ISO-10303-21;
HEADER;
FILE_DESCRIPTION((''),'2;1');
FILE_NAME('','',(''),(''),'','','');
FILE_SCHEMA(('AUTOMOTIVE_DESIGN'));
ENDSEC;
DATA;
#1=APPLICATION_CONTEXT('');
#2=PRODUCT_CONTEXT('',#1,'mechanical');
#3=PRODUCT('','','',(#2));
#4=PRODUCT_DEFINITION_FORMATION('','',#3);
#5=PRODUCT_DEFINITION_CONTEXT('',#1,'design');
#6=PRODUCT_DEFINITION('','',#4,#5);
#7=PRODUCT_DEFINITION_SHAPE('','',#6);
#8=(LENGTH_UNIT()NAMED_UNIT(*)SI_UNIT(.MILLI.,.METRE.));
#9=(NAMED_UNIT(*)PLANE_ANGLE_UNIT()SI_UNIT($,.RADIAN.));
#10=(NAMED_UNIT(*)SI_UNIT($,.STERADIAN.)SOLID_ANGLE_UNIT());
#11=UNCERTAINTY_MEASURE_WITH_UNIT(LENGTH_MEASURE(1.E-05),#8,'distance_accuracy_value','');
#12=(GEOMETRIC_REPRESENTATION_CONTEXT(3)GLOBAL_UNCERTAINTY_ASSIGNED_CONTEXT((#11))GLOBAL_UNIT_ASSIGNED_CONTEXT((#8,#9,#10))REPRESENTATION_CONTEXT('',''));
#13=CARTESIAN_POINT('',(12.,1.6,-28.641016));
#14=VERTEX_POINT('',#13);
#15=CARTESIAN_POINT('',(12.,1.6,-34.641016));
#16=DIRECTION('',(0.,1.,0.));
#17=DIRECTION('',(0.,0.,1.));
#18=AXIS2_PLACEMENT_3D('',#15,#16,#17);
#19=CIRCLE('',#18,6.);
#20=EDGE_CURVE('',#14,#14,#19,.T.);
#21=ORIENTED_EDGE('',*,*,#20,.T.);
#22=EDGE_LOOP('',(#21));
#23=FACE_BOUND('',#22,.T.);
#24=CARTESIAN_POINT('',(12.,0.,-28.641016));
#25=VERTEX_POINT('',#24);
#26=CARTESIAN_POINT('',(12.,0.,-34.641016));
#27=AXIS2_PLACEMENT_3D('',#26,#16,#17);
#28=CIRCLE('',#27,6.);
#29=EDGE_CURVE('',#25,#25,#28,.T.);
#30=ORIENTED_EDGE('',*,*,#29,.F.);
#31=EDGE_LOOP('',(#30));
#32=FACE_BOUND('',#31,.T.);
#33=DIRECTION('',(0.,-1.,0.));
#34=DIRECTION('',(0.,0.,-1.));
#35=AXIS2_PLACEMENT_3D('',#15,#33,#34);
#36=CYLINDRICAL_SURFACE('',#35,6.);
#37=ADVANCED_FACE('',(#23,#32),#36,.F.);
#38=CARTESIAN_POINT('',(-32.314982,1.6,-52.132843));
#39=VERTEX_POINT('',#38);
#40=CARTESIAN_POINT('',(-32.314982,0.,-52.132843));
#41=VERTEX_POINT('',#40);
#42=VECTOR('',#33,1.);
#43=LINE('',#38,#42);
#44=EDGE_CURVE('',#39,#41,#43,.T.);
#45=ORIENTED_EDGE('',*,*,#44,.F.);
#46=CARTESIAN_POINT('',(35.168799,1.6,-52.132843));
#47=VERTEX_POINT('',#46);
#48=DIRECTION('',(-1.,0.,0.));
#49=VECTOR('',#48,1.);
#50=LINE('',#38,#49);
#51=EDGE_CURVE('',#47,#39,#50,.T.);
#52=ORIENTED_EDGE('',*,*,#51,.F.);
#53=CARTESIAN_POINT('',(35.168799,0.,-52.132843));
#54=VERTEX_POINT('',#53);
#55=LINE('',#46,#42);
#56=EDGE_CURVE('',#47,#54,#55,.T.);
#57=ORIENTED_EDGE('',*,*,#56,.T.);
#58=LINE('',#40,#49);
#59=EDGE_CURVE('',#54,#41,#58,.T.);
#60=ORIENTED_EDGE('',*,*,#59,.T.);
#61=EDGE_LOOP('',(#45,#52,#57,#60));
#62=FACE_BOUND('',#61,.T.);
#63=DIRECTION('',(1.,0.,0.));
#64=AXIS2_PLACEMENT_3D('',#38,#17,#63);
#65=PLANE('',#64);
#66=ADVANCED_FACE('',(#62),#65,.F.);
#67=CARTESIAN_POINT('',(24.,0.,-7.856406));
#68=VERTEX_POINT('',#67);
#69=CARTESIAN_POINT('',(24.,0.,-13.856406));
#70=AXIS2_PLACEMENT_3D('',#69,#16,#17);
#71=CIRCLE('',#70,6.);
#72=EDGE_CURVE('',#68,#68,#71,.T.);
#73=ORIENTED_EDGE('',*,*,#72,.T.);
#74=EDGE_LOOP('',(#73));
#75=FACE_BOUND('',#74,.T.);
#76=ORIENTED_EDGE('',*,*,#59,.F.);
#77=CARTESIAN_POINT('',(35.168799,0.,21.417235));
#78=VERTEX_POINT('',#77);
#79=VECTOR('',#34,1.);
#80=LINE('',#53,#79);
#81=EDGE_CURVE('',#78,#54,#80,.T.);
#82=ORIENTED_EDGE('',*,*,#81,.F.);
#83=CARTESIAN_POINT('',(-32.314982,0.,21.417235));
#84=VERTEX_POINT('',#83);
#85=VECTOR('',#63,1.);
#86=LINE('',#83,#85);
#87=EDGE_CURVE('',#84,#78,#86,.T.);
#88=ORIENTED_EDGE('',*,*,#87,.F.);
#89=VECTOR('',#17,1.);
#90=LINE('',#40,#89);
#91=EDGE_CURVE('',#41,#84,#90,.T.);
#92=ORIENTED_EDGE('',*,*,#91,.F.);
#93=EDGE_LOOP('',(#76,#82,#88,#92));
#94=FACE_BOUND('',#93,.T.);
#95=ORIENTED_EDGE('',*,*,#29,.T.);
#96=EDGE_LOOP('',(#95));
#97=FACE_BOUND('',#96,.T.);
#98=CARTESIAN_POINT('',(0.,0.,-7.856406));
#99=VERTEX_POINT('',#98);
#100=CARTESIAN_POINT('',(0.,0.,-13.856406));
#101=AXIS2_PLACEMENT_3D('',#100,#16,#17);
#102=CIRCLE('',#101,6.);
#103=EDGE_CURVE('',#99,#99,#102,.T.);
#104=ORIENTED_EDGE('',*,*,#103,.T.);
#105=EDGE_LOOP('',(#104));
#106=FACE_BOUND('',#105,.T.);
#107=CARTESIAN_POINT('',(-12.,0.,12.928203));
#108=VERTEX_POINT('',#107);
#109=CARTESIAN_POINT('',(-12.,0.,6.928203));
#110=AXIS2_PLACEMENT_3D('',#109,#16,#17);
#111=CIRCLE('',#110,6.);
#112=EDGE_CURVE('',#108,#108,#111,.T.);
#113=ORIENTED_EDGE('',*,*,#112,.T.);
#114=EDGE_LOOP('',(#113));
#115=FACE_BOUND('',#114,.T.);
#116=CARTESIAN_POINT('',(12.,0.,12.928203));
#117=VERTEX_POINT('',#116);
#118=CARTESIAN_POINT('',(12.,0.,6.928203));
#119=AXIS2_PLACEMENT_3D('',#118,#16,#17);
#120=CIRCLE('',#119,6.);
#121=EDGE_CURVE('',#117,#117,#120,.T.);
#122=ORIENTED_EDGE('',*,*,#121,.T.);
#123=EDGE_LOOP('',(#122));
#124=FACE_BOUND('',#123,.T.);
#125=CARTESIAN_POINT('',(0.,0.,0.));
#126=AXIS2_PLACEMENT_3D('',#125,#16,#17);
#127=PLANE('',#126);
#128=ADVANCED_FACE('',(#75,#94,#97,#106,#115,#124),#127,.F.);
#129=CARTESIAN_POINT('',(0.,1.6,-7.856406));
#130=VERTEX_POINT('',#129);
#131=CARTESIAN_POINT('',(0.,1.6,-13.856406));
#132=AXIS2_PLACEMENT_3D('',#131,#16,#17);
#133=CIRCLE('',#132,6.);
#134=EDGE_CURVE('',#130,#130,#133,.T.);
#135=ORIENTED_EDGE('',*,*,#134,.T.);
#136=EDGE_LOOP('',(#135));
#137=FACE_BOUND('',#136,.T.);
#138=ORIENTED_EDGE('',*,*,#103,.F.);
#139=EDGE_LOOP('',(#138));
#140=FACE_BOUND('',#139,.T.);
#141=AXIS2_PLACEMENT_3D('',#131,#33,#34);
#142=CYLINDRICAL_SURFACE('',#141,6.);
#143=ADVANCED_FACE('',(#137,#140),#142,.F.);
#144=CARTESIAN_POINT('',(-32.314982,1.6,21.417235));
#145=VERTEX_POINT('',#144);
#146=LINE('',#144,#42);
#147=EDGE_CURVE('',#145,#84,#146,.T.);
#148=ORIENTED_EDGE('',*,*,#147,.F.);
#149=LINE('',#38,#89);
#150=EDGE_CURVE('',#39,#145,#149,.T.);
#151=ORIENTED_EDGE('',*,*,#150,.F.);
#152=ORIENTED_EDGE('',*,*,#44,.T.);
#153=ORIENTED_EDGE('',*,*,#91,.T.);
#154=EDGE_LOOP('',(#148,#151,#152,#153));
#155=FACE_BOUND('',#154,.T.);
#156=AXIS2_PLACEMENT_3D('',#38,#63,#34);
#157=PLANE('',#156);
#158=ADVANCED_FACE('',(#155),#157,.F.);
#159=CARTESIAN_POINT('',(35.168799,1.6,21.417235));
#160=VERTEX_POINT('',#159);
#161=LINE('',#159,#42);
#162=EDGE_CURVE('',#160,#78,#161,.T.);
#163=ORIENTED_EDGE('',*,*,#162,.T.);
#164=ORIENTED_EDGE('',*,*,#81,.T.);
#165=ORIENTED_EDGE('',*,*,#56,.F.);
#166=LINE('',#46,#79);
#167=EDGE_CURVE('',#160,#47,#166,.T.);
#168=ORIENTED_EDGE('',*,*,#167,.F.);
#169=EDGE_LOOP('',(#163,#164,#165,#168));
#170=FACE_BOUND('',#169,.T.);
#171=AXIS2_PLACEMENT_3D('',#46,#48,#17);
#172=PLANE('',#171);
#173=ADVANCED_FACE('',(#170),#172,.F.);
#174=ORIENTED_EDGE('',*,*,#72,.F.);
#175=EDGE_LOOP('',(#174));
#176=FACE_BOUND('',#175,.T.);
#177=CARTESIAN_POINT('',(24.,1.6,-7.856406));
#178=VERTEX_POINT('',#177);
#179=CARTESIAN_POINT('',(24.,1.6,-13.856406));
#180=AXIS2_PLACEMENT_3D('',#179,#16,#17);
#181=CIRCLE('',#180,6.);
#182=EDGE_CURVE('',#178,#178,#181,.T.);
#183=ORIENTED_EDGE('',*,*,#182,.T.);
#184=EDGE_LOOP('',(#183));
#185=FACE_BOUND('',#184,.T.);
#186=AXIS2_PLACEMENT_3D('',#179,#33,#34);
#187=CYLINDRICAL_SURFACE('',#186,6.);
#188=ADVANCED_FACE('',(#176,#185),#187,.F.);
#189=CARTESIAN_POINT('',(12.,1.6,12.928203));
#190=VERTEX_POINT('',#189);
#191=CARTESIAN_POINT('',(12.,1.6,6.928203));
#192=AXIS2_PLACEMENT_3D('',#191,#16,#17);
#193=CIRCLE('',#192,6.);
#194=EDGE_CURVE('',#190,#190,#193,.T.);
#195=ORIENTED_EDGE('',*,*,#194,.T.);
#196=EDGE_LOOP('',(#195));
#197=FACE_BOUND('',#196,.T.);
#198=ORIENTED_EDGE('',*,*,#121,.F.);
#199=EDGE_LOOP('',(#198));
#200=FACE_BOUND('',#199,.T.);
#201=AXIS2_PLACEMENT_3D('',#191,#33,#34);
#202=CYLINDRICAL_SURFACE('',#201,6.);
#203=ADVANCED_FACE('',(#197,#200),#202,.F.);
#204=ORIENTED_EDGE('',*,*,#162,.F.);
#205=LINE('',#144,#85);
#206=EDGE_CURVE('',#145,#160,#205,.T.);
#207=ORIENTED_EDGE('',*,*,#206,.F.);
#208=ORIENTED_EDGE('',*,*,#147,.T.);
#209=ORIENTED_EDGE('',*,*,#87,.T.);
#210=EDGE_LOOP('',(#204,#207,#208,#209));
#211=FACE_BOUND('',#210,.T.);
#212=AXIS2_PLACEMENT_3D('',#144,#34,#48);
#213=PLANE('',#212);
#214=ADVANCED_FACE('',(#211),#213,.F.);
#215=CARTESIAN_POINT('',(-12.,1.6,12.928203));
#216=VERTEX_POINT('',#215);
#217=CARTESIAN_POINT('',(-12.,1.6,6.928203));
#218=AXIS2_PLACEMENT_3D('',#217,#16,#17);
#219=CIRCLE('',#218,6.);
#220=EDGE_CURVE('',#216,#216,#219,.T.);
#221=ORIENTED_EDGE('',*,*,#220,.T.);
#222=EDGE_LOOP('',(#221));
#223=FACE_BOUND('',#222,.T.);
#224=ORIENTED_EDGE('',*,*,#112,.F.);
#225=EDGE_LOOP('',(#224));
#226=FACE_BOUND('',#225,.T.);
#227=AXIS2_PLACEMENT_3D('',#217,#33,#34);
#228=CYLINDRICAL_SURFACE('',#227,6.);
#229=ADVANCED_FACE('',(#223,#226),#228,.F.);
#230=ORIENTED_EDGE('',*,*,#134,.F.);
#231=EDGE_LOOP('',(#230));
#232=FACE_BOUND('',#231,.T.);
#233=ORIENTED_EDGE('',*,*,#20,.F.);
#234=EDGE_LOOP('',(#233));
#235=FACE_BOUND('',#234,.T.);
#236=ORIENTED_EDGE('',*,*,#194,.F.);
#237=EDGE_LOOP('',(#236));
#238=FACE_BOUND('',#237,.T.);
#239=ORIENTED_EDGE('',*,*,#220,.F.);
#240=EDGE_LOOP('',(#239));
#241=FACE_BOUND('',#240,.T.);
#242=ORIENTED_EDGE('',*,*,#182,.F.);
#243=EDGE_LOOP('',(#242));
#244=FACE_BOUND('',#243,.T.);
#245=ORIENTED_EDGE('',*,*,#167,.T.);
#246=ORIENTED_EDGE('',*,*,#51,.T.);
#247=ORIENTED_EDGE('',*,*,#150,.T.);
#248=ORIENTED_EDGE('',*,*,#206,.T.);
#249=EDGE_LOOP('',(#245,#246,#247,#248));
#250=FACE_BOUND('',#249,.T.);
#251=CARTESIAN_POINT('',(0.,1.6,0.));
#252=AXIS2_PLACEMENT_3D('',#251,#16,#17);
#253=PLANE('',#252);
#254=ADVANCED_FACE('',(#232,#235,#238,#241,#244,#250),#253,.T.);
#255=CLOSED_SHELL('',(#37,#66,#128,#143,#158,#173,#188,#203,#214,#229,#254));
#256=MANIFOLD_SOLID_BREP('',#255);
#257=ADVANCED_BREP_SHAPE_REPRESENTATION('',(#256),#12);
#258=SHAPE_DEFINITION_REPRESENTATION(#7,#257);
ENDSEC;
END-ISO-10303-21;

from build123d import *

# Parameters (mm, degrees)
SKETCH1_W           = 67.483781856
SKETCH1_H           = 73.550078875
SKETCH1_R           = 6
BOSS_EXTRUDE1_DEPTH = 1.6


with BuildPart() as part:
    # Sketch1 → Boss-Extrude1 (new body)
    with BuildSketch(Plane(origin=(0, 0, 0), x_dir=(1, 0, 0), z_dir=(0, 1, 0))):
        with Locations((1.426908435, 15.357803953)):
            Rectangle(SKETCH1_W, SKETCH1_H)
        with Locations(Location((0, 13.856406461, 0), (0, 0, 270))):
            Circle(SKETCH1_R, mode=Mode.SUBTRACT)
        with Locations(Location((24, 13.856406461, 0), (0, 0, 270))):
            Circle(SKETCH1_R, mode=Mode.SUBTRACT)
        with Locations(Location((12, -6.92820323, 0), (0, 0, 270))):
            Circle(SKETCH1_R, mode=Mode.SUBTRACT)
        with Locations(Location((-12, -6.92820323, 0), (0, 0, 270))):
            Circle(SKETCH1_R, mode=Mode.SUBTRACT)
        with Locations(Location((12, 34.641016151, 0), (0, 0, 270))):
            Circle(SKETCH1_R, mode=Mode.SUBTRACT)
    extrude(amount=BOSS_EXTRUDE1_DEPTH)


solid = part.part
